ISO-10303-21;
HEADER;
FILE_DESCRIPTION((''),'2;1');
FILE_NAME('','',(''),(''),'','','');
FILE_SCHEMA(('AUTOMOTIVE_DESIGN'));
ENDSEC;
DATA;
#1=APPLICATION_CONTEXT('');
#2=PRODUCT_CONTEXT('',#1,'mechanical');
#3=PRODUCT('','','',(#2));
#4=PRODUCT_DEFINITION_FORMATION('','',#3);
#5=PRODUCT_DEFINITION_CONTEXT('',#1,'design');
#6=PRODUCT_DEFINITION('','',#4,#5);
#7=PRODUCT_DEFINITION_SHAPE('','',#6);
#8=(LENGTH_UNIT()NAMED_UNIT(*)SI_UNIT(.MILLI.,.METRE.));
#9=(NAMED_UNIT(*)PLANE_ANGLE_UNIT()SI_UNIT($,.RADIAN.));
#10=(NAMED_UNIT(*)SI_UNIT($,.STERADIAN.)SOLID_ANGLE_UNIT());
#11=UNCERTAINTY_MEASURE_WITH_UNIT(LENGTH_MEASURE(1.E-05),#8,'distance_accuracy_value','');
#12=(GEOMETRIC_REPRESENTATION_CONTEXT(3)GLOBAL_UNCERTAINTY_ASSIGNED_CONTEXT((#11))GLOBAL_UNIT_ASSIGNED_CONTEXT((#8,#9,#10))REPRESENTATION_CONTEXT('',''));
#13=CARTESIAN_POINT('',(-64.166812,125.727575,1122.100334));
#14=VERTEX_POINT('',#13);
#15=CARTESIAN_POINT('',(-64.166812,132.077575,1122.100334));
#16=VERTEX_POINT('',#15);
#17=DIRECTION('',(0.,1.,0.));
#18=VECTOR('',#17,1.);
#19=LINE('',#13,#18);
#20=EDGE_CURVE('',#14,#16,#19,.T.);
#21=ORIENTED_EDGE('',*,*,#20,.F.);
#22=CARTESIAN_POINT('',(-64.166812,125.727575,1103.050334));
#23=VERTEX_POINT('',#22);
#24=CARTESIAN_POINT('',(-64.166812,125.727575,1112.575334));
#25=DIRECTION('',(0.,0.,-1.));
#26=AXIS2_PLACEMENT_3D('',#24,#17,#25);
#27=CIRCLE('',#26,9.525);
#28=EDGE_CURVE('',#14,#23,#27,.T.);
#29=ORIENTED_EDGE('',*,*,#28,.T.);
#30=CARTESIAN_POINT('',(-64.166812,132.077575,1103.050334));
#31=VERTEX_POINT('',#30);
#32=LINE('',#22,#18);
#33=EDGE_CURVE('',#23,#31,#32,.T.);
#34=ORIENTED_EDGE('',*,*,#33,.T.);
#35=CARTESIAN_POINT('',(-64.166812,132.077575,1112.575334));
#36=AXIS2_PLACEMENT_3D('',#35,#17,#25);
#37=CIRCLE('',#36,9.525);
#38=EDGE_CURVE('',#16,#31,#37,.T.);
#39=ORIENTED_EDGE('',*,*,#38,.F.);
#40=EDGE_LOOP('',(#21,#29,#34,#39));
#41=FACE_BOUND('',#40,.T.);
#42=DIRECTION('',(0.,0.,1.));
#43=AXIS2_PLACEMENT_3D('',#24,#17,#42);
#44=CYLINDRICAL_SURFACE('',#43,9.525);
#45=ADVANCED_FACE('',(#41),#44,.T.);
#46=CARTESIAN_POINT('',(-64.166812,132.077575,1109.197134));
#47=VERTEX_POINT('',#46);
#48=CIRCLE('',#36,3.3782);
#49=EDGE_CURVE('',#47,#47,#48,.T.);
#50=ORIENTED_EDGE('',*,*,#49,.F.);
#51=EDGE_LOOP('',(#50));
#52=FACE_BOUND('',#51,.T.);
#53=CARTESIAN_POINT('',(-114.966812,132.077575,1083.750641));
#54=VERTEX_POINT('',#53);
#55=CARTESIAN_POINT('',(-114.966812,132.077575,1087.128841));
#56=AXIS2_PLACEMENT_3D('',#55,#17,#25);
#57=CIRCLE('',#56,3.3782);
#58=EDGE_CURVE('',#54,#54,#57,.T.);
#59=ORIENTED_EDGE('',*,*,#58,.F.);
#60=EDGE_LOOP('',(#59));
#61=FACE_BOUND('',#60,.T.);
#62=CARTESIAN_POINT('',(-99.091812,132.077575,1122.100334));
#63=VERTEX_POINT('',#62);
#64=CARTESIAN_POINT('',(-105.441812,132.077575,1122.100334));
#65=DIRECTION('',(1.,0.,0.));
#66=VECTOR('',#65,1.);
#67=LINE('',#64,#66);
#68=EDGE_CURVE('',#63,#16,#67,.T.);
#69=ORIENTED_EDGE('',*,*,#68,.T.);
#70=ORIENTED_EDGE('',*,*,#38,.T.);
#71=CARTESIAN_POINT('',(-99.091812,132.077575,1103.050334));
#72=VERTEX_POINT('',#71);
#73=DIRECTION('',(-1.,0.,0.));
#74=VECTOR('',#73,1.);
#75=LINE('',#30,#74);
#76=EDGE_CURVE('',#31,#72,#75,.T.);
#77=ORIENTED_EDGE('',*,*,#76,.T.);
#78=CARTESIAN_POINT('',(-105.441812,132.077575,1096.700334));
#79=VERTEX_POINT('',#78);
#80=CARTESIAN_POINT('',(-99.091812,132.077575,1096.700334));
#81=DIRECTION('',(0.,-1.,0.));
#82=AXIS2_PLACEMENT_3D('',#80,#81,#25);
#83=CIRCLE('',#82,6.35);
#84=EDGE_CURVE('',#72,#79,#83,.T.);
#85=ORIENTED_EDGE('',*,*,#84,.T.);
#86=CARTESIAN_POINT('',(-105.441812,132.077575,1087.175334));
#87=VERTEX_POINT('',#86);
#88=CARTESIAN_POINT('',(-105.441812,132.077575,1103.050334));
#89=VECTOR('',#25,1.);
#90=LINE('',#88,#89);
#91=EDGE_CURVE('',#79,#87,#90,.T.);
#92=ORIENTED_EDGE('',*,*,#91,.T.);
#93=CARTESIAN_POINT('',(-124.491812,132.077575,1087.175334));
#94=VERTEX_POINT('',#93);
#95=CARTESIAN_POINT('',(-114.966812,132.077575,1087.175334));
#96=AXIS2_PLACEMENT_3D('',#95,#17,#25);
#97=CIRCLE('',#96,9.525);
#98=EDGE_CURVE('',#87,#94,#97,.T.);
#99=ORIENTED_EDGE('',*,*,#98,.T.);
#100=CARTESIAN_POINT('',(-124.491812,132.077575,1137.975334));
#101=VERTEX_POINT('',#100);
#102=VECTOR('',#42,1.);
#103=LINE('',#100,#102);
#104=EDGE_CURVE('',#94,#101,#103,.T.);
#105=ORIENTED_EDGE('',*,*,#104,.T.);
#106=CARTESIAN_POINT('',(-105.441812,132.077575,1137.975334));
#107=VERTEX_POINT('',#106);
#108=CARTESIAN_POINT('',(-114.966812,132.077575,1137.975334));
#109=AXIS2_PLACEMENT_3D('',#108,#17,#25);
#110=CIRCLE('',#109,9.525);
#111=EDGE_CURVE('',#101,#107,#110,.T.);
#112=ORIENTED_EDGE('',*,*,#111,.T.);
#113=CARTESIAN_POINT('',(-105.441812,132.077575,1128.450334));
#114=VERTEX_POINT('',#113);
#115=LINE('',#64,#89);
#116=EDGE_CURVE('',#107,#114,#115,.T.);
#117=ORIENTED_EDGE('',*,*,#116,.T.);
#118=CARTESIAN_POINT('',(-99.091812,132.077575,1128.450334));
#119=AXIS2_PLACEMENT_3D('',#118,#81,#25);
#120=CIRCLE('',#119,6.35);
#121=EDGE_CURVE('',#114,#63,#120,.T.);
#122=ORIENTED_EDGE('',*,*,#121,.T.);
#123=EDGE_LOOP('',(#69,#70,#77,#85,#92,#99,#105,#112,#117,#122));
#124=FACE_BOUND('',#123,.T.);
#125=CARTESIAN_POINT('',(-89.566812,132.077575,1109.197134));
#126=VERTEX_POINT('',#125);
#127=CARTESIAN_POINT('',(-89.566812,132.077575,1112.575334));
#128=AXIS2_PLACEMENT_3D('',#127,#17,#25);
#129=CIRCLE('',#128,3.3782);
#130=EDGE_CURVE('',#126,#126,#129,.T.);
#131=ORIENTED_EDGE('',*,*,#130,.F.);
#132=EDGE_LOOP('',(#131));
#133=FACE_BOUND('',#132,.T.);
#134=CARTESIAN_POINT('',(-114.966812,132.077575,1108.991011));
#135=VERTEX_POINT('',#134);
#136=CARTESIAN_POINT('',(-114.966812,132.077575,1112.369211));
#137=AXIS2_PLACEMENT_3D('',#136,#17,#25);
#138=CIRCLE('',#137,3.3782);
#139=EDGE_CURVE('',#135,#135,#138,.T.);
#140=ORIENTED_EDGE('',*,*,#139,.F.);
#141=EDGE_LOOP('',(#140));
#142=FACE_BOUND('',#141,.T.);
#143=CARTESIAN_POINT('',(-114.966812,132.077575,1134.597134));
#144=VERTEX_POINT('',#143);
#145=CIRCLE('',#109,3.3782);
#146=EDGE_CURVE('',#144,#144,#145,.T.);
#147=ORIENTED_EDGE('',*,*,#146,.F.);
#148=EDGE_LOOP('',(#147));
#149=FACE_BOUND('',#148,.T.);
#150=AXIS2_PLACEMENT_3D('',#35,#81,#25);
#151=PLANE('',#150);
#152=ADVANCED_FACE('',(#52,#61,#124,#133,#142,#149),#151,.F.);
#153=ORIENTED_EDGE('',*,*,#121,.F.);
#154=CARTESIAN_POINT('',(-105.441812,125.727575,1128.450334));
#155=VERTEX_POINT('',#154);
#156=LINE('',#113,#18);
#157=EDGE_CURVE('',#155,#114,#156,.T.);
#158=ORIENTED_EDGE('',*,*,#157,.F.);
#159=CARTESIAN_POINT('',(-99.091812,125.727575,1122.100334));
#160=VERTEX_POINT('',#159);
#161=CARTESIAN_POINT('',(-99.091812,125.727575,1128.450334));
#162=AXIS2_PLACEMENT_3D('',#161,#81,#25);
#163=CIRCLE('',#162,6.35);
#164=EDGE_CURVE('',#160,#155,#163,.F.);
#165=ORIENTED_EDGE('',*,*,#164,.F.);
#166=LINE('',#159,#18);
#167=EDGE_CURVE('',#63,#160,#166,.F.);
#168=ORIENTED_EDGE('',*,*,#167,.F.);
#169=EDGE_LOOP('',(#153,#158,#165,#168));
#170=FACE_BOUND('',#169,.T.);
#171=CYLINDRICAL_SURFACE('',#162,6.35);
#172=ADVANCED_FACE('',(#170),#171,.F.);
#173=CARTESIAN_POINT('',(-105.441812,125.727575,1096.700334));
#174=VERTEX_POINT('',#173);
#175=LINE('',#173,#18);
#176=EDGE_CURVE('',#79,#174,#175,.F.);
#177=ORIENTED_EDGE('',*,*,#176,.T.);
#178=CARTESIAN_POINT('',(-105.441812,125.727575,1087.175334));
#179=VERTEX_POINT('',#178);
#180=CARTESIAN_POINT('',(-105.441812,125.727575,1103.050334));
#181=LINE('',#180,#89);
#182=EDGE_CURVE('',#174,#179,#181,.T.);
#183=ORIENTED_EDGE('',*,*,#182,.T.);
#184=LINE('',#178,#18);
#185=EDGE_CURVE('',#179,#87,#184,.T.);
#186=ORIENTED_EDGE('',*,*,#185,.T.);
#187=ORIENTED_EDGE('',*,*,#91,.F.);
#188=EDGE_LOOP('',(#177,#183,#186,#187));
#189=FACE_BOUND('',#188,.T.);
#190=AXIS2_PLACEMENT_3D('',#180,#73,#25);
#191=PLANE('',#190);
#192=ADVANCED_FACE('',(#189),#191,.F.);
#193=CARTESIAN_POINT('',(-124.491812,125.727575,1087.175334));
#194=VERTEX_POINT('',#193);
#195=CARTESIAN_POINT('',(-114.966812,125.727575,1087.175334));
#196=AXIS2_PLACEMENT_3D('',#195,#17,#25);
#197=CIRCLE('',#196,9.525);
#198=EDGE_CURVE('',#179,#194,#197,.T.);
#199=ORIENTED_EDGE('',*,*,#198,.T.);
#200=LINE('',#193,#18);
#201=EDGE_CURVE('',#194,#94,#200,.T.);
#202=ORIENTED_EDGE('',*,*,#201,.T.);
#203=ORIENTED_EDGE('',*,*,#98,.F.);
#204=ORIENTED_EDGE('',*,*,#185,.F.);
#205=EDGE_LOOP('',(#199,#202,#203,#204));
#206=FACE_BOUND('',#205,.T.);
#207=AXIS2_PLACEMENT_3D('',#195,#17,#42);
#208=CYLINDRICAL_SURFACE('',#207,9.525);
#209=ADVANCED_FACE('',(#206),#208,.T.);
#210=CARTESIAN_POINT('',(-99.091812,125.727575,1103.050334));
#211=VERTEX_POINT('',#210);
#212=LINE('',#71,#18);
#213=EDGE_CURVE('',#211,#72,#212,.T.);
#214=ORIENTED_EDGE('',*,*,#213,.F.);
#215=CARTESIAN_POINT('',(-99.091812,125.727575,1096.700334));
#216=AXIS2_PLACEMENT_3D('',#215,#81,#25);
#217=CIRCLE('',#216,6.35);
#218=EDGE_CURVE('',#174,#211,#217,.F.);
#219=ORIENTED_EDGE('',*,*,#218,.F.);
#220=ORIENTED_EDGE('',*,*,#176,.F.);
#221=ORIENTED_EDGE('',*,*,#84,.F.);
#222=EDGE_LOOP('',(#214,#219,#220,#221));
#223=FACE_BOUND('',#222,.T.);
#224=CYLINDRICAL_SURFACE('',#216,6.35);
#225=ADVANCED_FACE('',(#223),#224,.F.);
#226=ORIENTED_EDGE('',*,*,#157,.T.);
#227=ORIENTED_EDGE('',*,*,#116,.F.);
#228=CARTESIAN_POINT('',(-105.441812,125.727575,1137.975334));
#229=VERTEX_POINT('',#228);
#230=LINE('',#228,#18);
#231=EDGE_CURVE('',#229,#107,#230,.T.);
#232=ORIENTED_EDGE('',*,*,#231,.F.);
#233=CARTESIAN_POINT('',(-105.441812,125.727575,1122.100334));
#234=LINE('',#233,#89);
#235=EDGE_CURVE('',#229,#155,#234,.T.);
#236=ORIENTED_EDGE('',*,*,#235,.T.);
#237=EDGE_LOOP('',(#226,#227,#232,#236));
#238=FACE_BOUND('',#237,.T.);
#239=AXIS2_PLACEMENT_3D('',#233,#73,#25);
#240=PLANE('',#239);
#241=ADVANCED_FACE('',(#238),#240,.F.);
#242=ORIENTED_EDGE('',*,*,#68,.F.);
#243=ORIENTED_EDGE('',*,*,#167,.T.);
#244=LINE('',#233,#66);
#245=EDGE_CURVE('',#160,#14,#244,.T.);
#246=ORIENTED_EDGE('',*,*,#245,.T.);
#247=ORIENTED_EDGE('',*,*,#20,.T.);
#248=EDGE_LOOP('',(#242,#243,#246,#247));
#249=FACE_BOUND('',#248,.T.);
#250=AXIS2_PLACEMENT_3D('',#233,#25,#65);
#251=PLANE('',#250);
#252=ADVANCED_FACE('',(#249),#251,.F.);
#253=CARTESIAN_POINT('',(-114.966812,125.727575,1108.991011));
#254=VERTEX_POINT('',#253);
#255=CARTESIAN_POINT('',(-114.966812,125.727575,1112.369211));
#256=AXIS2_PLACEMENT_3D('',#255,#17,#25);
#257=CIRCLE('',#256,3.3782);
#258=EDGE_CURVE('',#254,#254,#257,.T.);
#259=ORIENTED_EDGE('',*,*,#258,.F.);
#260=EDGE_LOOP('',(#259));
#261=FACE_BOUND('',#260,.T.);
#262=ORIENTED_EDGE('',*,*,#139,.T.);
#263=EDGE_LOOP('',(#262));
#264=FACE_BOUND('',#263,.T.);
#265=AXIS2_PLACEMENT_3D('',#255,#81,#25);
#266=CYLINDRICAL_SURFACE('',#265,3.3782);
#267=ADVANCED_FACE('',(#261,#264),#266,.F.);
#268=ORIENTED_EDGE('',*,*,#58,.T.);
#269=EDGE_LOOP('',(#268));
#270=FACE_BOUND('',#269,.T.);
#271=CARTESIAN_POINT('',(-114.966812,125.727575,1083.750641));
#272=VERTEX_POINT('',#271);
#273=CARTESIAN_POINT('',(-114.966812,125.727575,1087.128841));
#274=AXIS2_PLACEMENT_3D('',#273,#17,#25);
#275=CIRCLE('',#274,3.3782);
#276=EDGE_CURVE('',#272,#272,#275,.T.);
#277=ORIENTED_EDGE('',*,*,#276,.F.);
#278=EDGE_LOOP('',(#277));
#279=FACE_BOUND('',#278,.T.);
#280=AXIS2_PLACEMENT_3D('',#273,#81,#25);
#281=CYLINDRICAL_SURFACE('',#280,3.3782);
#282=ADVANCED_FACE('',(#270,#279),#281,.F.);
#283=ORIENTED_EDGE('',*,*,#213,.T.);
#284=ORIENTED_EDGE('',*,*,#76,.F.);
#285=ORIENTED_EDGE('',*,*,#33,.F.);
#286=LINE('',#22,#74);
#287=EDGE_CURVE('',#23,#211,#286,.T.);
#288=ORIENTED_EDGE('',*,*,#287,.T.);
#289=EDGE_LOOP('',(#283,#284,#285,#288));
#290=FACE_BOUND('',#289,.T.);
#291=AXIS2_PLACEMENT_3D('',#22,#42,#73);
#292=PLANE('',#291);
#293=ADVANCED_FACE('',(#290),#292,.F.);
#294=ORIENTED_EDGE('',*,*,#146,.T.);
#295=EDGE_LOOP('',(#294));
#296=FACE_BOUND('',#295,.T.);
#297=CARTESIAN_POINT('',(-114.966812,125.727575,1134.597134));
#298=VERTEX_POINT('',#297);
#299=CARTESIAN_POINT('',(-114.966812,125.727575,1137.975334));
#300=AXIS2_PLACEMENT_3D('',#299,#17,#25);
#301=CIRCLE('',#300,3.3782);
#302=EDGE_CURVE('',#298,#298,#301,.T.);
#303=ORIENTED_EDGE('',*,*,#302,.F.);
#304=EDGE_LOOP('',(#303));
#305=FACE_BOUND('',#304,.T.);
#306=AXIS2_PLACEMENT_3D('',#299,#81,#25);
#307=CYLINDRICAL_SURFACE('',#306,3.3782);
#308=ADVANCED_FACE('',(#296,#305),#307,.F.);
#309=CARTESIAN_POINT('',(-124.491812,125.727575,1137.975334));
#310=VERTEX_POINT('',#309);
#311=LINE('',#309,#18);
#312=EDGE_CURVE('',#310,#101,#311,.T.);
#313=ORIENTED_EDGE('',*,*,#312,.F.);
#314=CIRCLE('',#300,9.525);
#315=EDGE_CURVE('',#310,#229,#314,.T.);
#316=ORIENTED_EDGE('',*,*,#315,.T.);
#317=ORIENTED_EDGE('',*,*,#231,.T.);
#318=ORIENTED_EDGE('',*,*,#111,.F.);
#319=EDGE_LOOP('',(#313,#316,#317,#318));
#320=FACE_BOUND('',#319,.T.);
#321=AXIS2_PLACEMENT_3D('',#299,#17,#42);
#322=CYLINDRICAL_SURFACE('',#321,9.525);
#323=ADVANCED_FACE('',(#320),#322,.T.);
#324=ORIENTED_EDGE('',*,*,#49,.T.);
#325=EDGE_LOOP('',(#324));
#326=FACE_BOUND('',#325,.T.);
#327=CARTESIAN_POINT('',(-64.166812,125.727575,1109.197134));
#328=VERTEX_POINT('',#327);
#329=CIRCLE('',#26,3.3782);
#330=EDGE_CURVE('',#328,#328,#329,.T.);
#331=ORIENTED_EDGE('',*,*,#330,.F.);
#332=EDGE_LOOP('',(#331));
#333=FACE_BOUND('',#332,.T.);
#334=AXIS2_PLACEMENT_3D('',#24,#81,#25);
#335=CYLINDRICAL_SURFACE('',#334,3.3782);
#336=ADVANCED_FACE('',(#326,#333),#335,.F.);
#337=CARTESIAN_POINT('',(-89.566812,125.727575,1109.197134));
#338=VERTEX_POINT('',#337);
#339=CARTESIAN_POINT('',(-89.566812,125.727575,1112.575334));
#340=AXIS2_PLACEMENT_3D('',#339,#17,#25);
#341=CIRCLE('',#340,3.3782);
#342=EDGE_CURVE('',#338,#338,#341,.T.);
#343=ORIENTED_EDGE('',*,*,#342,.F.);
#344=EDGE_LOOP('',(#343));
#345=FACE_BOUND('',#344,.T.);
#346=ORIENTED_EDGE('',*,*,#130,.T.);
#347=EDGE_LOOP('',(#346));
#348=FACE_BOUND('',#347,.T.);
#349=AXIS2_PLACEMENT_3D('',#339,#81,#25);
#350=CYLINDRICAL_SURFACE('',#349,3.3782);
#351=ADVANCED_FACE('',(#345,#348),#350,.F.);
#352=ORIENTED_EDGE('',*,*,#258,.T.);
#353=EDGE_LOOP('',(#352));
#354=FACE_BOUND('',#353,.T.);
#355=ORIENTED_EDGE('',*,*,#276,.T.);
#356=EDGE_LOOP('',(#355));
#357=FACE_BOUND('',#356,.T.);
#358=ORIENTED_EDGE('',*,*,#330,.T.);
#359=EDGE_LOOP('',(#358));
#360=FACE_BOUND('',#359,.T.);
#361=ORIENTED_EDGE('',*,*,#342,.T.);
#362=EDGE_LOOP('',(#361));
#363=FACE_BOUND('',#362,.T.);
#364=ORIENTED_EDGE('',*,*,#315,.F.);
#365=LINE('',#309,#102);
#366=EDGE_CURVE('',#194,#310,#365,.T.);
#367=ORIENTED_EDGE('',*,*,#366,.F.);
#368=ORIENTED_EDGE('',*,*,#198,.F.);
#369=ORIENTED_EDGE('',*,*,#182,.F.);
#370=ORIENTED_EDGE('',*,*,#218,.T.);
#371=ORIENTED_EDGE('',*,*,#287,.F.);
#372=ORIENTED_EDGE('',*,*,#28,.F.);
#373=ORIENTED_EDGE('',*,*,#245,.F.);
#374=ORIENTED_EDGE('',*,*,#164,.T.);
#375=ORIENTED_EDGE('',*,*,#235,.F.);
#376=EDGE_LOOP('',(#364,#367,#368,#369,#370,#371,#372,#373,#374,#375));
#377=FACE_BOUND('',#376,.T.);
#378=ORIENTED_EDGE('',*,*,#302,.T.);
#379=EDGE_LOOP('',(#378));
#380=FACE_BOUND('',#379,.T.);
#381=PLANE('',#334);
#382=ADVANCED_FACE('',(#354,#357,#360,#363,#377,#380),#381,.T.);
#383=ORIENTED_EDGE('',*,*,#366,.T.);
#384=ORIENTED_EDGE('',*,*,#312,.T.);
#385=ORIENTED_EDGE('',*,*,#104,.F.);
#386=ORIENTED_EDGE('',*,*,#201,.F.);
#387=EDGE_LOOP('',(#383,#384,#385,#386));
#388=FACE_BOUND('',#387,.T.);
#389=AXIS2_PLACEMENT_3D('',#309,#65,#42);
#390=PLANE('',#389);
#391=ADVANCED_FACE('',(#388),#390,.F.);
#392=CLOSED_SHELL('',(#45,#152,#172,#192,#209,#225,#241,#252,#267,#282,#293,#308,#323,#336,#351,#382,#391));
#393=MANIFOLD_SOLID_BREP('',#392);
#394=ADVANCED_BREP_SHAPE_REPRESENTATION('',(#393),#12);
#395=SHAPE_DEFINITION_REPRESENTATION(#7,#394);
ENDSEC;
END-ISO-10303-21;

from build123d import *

# Parameters (mm, degrees)
BOSS_EXTRUDE1_START     = 12.827
BOSS_EXTRUDE1_DEPTH     = 6.35
F_1_4_CLEARANCE_HOLE1_D = 6.7564
FILLET1_R               = 6.35


with BuildPart() as part:
    # Sketch1 → Boss-Extrude1 (new body)
    with BuildSketch(Plane(origin=(0, 144.904574554, 0), x_dir=(-1, 0, 0), z_dir=(0, -1, 0)).offset(BOSS_EXTRUDE1_START)):
        with BuildLine():
            Line((-105.441812484, -1122.100334154), (-105.441812484, -1137.975334154))
            ThreePointArc((-105.441812484, -1137.975334154), (-114.966812484, -1147.500334154), (-124.491812484, -1137.975334154))
            Line((-124.491812484, -1137.975334154), (-124.491812484, -1087.175334154))
            ThreePointArc((-124.491812484, -1087.175334154), (-114.966812484, -1077.650334154), (-105.441812484, -1087.175334154))
            Line((-105.441812484, -1087.175334154), (-105.441812484, -1103.050334154))
            Line((-105.441812484, -1103.050334154), (-64.166812484, -1103.050334154))
            ThreePointArc((-64.166812484, -1103.050334154), (-54.641812484, -1112.575334154), (-64.166812484, -1122.100334154))
            Line((-64.166812484, -1122.100334154), (-105.441812484, -1122.100334154))
        make_face()
    extrude(amount=BOSS_EXTRUDE1_DEPTH)

    # 1/4 Clearance Hole1 (through all)
    with Locations(Plane(origin=(0, 125.727574554, 0), x_dir=(-1, 0, 0), z_dir=(0, -1, 0))):
        with Locations((-114.966812484, -1137.975334154), (-114.966812484, -1112.369211098), (-114.966812484, -1087.128841033), (-64.166812484, -1112.575334154), (-89.566812484, -1112.575334154)):
            Hole(F_1_4_CLEARANCE_HOLE1_D / 2)


with BuildPart() as body_2:
    # Mirror1: mirrored copy
    add(part.part.mirror(Plane(origin=(0, 0, 0), x_dir=(0, 0, 1), z_dir=(1, 0, 0))))

    # Fillet1
    fillet1_edges = [body_2.edges().sort_by_distance(p)[0] for p in [
        (-105.441812484, 128.902574554, 1122.100334154),
        (-105.441812484, 128.902574554, 1103.050334154),
    ]]
    fillet(fillet1_edges, radius=FILLET1_R)


solid = body_2.part
